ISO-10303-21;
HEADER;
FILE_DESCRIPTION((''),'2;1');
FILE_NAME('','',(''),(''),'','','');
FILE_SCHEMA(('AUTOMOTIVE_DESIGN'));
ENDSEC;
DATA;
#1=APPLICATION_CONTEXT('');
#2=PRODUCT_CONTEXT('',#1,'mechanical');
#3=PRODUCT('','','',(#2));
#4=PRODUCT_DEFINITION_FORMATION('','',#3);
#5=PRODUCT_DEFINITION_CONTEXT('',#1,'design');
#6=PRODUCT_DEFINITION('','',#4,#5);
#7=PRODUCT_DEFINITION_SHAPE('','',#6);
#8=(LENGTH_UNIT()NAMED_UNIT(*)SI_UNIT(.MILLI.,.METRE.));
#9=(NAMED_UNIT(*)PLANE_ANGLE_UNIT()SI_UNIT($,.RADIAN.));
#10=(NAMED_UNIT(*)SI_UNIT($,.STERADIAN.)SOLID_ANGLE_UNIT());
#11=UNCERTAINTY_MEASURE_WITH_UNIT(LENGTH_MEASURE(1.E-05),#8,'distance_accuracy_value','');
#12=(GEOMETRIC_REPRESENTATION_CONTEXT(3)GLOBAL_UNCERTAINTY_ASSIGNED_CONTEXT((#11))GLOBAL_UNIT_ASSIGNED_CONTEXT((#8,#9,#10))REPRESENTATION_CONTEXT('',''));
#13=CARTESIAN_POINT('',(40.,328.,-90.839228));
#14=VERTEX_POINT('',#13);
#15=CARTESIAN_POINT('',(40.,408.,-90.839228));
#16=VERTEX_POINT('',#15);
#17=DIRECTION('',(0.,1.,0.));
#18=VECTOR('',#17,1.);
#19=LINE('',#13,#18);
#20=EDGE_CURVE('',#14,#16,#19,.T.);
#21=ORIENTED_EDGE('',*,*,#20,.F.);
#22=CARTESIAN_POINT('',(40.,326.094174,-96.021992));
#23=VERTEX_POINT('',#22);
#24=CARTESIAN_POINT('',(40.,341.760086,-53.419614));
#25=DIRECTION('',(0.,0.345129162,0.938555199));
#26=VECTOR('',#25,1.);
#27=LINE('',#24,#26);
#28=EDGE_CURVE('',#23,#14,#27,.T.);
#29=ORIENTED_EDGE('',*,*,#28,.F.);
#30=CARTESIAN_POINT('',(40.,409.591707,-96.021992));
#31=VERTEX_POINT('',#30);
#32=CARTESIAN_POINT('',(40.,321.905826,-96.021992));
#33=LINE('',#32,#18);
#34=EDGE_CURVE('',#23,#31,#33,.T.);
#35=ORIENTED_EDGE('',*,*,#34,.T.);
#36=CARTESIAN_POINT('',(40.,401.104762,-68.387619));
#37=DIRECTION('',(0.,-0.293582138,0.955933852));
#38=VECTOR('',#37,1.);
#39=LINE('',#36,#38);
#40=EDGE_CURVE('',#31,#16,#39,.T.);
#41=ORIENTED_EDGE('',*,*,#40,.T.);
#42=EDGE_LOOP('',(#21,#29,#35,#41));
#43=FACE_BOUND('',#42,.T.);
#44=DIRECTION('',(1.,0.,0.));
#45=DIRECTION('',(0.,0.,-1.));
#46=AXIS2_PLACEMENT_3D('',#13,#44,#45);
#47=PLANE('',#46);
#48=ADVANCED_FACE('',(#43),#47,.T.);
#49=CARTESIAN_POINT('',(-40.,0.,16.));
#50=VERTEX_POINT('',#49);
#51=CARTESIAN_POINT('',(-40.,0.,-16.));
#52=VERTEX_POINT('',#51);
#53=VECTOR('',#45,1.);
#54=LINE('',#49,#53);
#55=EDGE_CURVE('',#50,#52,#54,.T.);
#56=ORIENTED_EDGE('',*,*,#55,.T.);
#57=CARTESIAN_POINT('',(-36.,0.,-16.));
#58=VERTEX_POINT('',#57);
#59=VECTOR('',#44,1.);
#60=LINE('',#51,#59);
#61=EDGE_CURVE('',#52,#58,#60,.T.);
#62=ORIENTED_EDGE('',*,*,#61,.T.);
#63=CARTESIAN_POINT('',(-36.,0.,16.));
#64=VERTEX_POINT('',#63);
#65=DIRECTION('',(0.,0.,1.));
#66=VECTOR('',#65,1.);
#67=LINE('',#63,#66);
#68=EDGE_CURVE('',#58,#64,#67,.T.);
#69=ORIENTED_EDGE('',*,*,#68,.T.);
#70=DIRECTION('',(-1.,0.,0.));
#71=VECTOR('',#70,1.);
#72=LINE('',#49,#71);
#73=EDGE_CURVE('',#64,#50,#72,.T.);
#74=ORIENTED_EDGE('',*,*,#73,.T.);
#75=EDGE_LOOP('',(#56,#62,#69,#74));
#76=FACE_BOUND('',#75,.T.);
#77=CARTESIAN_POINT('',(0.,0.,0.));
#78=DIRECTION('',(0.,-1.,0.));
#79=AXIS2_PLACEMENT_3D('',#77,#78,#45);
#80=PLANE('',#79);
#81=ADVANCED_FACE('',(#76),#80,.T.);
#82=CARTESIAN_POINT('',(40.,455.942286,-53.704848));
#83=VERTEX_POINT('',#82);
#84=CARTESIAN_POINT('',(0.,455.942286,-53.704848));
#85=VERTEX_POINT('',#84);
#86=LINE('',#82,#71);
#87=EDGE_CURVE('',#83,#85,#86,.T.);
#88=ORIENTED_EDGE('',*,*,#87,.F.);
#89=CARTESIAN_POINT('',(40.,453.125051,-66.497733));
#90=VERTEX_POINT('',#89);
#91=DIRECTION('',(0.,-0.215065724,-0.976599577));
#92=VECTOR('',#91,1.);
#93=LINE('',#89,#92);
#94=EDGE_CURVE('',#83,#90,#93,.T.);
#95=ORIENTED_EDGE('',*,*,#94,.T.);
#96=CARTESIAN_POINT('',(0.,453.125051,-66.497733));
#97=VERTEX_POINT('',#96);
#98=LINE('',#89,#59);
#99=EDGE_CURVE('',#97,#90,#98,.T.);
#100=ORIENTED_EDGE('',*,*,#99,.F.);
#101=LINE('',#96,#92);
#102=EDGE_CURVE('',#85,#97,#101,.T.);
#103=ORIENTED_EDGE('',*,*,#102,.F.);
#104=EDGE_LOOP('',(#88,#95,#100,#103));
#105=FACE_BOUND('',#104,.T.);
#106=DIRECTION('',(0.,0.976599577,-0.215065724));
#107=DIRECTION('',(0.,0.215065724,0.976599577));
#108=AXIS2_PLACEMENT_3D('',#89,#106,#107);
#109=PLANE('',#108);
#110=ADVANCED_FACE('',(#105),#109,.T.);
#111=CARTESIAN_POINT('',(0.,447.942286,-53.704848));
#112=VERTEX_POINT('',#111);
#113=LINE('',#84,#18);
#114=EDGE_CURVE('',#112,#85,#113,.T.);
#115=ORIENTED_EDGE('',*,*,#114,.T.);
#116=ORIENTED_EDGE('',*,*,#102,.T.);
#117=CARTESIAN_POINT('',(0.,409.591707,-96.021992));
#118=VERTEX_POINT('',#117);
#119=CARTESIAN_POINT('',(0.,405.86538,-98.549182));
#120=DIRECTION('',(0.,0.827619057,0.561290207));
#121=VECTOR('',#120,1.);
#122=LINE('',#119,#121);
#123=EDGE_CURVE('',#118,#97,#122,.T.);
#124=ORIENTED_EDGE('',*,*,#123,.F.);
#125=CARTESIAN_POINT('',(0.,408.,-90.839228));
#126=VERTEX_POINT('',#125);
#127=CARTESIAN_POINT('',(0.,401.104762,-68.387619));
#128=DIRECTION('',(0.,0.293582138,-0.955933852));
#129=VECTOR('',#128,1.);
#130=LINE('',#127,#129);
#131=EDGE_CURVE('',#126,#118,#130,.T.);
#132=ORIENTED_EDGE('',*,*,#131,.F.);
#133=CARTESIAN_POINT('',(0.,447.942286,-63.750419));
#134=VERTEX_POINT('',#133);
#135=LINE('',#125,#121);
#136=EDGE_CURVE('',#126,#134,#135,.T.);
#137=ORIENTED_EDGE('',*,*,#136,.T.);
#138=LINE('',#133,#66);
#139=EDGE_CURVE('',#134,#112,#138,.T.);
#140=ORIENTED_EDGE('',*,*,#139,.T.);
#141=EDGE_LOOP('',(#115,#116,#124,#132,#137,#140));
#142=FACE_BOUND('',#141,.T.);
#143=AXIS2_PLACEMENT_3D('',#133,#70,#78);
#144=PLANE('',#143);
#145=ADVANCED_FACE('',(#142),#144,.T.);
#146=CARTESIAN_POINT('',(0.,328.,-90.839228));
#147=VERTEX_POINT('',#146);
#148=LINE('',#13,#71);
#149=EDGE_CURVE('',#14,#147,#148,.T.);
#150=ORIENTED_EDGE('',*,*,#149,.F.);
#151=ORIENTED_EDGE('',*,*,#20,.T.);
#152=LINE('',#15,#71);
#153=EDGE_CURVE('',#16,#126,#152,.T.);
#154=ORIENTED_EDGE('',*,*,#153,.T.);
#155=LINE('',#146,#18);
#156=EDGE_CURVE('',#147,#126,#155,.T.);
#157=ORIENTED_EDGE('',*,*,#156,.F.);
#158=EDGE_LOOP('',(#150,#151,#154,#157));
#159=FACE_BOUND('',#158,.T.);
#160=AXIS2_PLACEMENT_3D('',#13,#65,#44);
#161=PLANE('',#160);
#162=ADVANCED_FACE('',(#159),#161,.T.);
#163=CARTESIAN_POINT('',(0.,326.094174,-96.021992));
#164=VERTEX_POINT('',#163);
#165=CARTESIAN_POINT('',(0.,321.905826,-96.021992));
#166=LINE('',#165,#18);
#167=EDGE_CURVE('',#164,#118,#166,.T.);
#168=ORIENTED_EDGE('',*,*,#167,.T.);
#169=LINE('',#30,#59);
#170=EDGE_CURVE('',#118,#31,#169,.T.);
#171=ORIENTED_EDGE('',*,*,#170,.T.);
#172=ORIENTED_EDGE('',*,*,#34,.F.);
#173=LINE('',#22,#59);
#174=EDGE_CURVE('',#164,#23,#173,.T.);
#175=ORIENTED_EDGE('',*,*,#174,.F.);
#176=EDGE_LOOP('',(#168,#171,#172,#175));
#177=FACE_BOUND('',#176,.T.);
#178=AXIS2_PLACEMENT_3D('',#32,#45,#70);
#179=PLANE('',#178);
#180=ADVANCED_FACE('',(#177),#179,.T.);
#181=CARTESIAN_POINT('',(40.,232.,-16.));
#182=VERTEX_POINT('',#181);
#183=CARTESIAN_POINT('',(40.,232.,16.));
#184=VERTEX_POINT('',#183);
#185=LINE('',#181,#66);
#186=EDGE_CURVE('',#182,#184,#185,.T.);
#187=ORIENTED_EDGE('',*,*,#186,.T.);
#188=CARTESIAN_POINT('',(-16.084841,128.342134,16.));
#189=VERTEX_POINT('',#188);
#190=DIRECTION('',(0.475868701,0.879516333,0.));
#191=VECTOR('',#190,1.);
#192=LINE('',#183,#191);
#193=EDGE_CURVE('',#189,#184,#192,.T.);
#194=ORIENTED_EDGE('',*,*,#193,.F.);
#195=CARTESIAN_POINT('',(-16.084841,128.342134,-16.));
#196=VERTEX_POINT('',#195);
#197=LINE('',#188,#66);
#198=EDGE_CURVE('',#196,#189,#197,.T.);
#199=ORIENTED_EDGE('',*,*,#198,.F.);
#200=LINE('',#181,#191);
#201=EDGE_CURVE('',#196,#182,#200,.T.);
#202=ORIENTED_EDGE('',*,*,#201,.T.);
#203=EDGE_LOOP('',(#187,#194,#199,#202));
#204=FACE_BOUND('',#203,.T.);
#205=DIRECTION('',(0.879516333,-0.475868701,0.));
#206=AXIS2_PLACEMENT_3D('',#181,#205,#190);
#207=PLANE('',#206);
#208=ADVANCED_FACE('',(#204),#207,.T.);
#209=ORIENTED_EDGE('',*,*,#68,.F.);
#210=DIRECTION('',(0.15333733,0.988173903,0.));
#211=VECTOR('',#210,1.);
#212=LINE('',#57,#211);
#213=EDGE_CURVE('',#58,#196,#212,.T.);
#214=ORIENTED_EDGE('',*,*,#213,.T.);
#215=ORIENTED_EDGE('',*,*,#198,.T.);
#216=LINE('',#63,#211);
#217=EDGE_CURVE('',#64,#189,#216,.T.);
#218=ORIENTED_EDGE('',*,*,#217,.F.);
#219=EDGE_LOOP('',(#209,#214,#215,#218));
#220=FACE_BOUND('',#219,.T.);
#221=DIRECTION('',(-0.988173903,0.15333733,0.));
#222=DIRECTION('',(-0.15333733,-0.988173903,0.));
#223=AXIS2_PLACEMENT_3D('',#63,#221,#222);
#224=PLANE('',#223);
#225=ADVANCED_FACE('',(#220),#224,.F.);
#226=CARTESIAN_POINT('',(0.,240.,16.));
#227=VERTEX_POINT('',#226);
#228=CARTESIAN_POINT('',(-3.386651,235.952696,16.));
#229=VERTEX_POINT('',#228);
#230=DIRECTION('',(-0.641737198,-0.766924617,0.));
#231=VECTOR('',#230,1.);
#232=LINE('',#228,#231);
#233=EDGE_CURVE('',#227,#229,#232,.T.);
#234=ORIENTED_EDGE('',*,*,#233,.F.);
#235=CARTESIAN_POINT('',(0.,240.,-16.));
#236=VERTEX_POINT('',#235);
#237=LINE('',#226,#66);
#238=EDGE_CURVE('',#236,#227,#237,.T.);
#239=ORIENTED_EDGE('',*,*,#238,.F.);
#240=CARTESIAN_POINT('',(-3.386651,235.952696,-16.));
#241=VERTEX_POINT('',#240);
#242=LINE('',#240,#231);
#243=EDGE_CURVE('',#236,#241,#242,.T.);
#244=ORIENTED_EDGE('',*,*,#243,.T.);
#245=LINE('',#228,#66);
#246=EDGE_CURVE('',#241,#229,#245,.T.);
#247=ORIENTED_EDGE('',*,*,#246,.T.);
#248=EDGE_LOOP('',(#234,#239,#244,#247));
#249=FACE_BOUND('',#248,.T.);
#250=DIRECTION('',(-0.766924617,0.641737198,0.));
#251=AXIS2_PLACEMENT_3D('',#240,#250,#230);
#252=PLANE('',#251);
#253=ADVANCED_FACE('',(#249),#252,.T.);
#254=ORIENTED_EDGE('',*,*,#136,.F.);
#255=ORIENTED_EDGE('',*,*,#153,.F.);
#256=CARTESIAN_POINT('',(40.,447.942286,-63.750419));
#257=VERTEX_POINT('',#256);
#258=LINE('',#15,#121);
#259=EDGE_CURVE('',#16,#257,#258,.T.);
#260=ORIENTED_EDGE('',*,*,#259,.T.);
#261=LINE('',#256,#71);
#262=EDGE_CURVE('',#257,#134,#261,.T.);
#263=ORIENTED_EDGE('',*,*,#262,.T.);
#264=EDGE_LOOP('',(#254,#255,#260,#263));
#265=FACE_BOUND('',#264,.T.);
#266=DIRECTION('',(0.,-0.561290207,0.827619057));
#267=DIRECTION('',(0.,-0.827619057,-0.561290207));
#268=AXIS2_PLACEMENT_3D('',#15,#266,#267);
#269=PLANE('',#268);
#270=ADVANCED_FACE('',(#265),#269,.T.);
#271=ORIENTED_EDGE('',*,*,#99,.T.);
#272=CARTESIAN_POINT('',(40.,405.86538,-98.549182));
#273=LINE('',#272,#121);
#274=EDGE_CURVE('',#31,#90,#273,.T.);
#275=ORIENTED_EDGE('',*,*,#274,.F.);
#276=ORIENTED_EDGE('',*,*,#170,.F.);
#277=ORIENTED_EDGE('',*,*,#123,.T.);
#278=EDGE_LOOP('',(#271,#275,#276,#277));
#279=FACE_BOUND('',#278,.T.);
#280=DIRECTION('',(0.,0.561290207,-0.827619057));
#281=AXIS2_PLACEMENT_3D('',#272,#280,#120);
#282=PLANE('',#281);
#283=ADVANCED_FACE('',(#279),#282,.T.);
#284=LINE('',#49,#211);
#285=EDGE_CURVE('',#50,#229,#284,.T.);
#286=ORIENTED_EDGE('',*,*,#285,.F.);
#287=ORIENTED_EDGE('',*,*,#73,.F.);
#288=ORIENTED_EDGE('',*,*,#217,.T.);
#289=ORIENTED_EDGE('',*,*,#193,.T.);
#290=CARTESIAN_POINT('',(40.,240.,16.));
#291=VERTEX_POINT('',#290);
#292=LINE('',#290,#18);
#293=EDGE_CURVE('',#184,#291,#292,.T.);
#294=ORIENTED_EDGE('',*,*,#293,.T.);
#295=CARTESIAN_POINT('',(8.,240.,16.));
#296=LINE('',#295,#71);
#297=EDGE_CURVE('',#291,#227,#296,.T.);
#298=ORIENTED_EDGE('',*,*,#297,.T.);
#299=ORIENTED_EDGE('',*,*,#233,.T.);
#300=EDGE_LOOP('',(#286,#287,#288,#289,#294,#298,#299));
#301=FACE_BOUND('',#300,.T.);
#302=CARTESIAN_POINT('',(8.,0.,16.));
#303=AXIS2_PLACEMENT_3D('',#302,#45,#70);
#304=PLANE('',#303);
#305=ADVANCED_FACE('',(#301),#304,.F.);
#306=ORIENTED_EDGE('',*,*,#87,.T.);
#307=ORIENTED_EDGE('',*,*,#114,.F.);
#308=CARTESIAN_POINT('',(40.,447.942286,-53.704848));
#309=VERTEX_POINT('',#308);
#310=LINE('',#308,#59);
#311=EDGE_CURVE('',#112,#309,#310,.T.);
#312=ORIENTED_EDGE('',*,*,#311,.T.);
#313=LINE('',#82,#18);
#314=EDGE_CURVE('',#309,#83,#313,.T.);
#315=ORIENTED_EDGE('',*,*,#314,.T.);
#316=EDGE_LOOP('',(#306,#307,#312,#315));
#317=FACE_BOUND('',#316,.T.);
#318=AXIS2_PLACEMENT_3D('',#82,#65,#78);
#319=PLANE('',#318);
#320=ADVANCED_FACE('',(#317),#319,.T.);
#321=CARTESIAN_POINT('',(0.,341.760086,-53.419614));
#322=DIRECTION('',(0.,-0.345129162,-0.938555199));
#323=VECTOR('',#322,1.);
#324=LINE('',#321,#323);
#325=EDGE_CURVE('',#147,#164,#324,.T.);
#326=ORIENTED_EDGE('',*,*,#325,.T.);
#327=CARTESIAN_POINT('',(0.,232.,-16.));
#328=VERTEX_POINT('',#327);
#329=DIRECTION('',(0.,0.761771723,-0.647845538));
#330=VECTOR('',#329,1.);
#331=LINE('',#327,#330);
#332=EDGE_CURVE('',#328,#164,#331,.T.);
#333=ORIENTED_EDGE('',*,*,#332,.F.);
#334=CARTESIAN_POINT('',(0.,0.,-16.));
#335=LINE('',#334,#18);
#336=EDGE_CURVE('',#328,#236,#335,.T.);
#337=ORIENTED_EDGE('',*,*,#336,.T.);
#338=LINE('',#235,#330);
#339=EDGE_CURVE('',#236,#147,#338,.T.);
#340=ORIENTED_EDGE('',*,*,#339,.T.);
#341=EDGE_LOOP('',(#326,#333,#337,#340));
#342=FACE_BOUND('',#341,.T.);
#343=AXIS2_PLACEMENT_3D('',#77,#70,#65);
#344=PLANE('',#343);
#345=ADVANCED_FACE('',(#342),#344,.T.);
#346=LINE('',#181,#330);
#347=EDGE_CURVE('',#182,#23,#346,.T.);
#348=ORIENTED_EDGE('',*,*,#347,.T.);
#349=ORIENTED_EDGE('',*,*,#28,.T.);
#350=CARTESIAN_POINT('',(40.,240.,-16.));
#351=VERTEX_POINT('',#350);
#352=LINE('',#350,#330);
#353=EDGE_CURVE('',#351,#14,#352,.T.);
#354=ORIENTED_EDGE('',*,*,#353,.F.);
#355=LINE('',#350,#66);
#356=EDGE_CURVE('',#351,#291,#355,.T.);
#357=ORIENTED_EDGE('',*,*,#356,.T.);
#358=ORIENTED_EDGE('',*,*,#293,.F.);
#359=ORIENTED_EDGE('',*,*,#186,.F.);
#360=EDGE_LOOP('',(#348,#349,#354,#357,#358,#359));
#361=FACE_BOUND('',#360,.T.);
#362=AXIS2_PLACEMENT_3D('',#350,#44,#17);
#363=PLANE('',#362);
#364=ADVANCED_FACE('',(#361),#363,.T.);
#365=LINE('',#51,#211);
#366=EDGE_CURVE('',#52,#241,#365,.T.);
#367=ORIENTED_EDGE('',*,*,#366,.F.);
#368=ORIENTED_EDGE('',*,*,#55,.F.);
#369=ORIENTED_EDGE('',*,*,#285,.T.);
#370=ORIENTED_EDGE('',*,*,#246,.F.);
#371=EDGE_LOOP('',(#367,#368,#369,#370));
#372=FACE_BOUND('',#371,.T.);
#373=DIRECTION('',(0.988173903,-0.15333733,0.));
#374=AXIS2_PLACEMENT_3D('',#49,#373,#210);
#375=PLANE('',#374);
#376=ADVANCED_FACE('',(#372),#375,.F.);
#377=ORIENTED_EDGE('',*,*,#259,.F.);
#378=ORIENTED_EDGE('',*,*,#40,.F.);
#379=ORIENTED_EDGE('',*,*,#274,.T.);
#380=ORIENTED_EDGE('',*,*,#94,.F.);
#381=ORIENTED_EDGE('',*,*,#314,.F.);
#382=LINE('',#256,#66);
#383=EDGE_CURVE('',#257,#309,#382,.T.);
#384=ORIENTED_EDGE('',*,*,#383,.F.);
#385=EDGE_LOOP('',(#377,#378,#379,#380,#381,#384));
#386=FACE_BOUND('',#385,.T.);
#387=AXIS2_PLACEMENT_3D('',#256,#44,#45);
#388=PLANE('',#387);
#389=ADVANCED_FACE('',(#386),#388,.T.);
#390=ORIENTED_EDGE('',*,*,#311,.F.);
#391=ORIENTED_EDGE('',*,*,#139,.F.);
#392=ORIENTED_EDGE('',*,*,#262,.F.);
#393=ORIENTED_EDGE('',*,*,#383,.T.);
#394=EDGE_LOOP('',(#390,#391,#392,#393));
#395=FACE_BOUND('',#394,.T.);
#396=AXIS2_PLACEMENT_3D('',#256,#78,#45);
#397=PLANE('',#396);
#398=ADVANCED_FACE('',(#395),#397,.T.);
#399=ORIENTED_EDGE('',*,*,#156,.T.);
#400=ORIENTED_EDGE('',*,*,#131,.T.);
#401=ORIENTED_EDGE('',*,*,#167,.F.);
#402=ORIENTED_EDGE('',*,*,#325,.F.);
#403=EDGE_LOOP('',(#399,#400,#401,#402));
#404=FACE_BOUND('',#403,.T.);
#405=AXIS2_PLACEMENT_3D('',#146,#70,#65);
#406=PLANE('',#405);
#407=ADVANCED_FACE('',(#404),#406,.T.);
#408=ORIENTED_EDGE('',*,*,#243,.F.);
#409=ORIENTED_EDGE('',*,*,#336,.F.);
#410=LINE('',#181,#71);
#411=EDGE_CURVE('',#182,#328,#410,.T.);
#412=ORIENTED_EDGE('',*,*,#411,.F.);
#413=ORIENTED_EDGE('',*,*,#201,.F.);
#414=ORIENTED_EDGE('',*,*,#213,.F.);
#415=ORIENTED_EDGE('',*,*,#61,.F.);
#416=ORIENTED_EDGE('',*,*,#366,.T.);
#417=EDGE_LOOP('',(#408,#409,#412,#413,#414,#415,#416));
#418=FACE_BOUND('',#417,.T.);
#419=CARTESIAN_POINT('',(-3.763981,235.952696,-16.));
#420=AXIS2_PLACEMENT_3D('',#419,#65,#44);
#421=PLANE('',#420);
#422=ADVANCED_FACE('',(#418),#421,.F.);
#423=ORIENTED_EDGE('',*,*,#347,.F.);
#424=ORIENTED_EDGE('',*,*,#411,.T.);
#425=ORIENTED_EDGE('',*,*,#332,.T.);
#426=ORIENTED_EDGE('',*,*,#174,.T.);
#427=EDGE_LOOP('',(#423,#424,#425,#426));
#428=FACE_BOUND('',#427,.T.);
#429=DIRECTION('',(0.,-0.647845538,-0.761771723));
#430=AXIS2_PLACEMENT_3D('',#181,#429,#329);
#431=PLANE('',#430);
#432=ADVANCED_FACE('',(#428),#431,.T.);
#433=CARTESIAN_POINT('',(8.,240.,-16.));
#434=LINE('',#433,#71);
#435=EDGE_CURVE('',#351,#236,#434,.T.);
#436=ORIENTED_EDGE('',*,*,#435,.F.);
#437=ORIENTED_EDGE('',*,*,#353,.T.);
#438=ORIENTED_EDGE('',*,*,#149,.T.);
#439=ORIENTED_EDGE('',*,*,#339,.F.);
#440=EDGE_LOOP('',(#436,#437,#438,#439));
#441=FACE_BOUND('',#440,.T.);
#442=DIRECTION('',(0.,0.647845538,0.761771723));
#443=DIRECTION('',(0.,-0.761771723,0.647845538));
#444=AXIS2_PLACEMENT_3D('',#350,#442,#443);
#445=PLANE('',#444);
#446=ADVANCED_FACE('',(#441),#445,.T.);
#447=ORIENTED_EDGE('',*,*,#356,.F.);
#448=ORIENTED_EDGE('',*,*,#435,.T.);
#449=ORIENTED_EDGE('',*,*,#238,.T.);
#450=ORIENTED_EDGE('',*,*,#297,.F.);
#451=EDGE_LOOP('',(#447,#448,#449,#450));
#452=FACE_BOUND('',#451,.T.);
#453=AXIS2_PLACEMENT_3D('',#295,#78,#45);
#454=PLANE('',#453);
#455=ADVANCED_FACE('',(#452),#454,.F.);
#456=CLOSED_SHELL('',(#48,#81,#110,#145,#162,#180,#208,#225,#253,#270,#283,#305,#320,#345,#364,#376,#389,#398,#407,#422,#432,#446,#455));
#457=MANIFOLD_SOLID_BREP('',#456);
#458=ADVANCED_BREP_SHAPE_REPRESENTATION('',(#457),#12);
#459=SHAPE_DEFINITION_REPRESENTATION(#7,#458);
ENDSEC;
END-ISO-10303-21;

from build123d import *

# Parameters (mm, degrees)
SKETCH_9_W          = 32
SKETCH_9_H          = 240
EXTRUDE_4_DEPTH     = 8
EXTRUDE_5_DEPTH     = 32
SKETCH_11_W         = 40
SKETCH_11_H         = 8
EXTRUDE_6_DEPTH     = 40
SKETCH_14_W         = 4
SKETCH_14_H         = 32
SKETCH_16_W         = 49.074899356
SKETCH_16_H         = 238.21753212
CUT_EXTRUDE_1_DEPTH = 40
EXTRUDE_7_DEPTH     = 32


with BuildPart() as part:
    # 草图9 → 凸台-拉伸4 (new body)
    with BuildSketch(Plane(origin=(0, 0, 0), x_dir=(0, 0, -1), z_dir=(1, 0, 0))):
        with Locations((0, 120)):
            Rectangle(SKETCH_9_W, SKETCH_9_H)
    extrude(amount=EXTRUDE_4_DEPTH)

    # 草图10 → 凸台-拉伸5 (add)
    with BuildSketch(Plane.XY.offset(16)):
        Polygon((40, 232), (8, 120), (8, 232), (8, 240), (40, 240), align=None)
    extrude(amount=-EXTRUDE_5_DEPTH)

    # 扫描8: sweep along a path in 草图12
    with BuildLine(Plane.ZY) as sweep_8_path:
        Line((-16, 240), (-90.839227599, 328))
        Line((-90.839227599, 328), (-90.839227599, 408))
        Line((-90.839227599, 408), (-63.750419078, 447.942286341))
        Line((-63.750419078, 447.942286341), (-53.704847623, 447.942286341))
    # 草图11 → 扫描8 (sweep)
    with BuildSketch(Plane(origin=(0, 0, -16), x_dir=(-1, 0, 0), z_dir=(0, 0, -1))):
        with Locations((-20, 236)):
            Rectangle(SKETCH_11_W, SKETCH_11_H)
    sweep(path=sweep_8_path.line, transition=Transition.RIGHT)

    # 草图13 → 凸台-拉伸6 (add)
    with BuildSketch(Plane.ZY):
        Polygon((-66.49773312, 453.125050648), (-53.704847623, 455.942286341), (-53.704847623, 447.942286341), (-63.750419078, 447.942286341), align=None)
    extrude(amount=-EXTRUDE_6_DEPTH)

    # 扫描9: sweep along a path in 草图15
    with BuildLine(Plane.XY.offset(16)) as sweep_9_path:
        Line((-36, 0), (0, 232))
        Line((0, 232), (40, 232))
    # 草图14 → 扫描9 (sweep)
    with BuildSketch(Plane.XZ):
        with Locations((-38, 0)):
            Rectangle(SKETCH_14_W, SKETCH_14_H)
    sweep(path=sweep_9_path.line, transition=Transition.RIGHT)

    # 草图16 → 切除-拉伸1 (cut)
    with BuildSketch(Plane.XY.offset(16)):
        with Locations((24.537449678, 112.89123394)):
            Rectangle(SKETCH_16_W, SKETCH_16_H)
    extrude(amount=-CUT_EXTRUDE_1_DEPTH, mode=Mode.SUBTRACT)

    # 草图17 → 凸台-拉伸7 (add)
    with BuildSketch(Plane.XY.offset(16)):
        Polygon((-3.386650681, 235.952695613), (0, 240), (40, 240), (40, 232), (-21.69332534, 117.976347807), align=None)
    extrude(amount=-EXTRUDE_7_DEPTH)


solid = part.part
